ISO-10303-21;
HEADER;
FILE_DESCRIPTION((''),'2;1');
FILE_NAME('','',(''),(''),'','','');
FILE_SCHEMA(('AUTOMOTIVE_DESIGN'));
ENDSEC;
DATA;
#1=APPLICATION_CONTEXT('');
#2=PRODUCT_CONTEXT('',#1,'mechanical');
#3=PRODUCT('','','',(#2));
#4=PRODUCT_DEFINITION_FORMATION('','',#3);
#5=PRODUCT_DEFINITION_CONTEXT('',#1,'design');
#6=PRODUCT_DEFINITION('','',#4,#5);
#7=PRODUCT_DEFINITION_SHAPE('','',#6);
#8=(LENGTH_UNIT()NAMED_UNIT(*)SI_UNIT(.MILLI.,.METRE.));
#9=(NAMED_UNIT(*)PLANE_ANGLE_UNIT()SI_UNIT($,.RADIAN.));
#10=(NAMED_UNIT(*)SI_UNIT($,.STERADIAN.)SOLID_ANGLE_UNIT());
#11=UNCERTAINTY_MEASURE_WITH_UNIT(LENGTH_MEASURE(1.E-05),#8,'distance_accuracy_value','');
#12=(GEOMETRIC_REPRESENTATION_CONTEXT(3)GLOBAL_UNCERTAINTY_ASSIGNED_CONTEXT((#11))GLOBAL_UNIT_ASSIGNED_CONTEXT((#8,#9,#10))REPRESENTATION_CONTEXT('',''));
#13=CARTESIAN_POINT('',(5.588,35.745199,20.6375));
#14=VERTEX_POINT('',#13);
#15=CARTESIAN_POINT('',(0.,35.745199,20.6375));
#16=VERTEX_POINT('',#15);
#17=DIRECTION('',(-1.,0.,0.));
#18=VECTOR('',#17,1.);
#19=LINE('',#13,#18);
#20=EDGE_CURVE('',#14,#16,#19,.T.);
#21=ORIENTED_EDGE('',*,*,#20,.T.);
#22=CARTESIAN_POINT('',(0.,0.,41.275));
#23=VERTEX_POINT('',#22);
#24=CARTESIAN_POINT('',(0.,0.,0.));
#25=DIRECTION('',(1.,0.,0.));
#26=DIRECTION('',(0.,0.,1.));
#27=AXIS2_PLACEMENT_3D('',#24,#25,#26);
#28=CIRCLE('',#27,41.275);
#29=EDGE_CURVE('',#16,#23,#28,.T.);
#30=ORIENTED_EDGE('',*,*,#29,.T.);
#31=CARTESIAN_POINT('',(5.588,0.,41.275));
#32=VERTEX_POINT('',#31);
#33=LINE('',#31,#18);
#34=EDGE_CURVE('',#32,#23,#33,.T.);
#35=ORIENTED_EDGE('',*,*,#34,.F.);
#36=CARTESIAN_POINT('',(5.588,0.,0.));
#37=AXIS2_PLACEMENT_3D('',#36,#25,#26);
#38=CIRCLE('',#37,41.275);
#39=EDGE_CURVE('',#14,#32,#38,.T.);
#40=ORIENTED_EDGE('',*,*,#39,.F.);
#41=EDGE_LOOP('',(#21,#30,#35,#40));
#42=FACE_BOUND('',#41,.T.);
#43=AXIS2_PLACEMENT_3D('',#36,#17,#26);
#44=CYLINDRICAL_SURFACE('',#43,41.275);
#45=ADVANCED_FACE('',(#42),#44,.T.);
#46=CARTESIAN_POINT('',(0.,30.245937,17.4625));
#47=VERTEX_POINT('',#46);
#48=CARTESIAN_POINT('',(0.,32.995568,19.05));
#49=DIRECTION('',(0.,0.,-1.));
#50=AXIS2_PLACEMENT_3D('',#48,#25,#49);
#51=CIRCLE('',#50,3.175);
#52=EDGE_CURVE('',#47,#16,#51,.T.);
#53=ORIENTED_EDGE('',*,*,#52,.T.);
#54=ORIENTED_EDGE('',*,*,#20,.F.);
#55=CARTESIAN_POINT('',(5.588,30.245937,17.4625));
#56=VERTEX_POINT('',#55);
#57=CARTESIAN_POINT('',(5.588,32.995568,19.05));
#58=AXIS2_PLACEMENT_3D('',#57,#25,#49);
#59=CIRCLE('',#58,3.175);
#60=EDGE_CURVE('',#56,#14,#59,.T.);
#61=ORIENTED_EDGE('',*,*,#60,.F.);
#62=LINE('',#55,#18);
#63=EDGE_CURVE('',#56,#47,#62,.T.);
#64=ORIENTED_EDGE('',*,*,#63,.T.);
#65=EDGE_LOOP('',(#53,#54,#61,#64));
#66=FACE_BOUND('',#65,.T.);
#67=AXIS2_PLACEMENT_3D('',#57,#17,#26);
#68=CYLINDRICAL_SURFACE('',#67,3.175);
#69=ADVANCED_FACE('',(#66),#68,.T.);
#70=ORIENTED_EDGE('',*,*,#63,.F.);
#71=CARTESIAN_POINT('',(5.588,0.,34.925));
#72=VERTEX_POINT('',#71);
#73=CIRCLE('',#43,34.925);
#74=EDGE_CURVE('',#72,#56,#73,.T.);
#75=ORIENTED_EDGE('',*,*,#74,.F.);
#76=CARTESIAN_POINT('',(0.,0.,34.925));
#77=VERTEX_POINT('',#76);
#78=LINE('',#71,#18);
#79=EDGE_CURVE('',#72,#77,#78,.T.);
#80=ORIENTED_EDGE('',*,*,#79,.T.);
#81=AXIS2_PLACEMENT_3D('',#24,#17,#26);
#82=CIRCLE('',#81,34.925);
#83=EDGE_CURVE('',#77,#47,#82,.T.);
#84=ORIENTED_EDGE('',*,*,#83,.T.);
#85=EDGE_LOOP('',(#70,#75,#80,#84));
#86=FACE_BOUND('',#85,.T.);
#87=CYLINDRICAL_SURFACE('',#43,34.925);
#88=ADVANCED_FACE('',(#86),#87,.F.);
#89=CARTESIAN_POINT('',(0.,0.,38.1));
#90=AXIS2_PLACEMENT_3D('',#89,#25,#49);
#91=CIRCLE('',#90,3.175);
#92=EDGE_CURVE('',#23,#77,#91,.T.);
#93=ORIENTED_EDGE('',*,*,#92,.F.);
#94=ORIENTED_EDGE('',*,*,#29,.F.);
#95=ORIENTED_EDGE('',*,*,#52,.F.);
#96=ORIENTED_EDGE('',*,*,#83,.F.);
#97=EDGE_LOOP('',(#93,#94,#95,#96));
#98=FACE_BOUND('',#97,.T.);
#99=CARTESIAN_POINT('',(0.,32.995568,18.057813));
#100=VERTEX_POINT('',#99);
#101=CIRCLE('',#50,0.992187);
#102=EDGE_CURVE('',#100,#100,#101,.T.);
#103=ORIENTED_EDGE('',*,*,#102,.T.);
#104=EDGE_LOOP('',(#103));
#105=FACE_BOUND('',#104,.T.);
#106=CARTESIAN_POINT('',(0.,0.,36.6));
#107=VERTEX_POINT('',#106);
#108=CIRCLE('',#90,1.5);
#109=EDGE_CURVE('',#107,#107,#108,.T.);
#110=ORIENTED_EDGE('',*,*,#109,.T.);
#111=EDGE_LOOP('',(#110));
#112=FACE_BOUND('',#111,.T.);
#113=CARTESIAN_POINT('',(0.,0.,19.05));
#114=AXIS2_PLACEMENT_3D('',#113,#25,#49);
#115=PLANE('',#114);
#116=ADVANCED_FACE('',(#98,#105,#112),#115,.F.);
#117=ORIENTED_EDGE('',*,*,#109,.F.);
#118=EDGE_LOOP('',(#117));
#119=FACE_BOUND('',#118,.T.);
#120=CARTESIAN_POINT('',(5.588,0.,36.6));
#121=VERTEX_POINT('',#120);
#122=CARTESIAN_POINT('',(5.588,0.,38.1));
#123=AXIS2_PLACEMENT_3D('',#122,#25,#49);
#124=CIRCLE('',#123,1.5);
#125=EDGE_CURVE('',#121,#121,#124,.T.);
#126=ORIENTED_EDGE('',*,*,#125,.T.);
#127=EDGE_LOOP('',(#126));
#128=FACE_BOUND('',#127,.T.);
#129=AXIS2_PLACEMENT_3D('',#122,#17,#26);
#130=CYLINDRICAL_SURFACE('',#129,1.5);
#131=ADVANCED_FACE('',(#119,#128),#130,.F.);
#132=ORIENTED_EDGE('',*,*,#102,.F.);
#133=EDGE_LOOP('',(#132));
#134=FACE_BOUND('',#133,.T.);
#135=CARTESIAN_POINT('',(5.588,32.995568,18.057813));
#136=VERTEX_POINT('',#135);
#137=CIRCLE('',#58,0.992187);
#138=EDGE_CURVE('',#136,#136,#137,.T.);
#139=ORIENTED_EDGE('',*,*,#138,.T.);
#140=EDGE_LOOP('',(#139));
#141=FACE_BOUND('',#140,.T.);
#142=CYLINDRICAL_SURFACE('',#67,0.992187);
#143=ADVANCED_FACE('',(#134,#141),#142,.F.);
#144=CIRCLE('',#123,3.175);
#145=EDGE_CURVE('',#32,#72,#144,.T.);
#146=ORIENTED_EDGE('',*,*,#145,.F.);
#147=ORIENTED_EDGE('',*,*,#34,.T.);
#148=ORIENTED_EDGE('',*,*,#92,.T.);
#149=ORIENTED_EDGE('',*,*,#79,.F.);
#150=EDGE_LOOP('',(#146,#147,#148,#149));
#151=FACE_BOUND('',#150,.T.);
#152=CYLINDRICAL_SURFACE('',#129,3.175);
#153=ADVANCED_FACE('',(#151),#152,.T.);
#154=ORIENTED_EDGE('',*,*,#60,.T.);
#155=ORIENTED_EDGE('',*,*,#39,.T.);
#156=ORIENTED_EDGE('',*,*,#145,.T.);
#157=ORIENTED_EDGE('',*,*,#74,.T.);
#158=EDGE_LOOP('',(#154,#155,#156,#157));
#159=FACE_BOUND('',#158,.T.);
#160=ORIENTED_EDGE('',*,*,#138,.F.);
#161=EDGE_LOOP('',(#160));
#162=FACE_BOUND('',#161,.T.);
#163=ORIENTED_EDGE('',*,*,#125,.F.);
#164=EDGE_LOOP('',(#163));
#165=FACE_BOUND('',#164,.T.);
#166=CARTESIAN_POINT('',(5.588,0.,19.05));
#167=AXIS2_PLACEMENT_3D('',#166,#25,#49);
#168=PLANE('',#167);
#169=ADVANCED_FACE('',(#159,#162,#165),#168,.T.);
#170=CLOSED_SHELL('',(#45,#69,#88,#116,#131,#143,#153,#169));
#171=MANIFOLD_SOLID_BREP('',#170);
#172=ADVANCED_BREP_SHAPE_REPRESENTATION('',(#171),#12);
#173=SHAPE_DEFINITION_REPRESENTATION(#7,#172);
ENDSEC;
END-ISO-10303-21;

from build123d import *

# Parameters (mm, degrees)
ESQUISSE1_R        = 1.5
ESQUISSE1_R_2      = 0.9921875
BOSS_EXTRU_1_DEPTH = 5.588


with BuildPart() as part:
    # Esquisse1 → Boss.-Extru.1 (new body)
    with BuildSketch(Plane(origin=(0, 0, 0), x_dir=(0, 0, -1), z_dir=(1, 0, 0))):
        with BuildLine():
            ThreePointArc((-34.925, 0), (-30.245937227, 17.4625), (-17.4625, 30.245937227))
            ThreePointArc((-17.4625, 30.245937227), (-16.300369343, 34.583067884), (-20.6375, 35.745198541))
            ThreePointArc((-20.6375, 35.745198541), (-35.745198541, 20.6375), (-41.275, 0))
            ThreePointArc((-41.275, 0), (-38.1, -3.175), (-34.925, 0))
        make_face()
        with Locations((-38.1, 0)):
            Circle(ESQUISSE1_R, mode=Mode.SUBTRACT)
        with Locations((-19.05, 32.995567884)):
            Circle(ESQUISSE1_R_2, mode=Mode.SUBTRACT)
    extrude(amount=BOSS_EXTRU_1_DEPTH)


solid = part.part
